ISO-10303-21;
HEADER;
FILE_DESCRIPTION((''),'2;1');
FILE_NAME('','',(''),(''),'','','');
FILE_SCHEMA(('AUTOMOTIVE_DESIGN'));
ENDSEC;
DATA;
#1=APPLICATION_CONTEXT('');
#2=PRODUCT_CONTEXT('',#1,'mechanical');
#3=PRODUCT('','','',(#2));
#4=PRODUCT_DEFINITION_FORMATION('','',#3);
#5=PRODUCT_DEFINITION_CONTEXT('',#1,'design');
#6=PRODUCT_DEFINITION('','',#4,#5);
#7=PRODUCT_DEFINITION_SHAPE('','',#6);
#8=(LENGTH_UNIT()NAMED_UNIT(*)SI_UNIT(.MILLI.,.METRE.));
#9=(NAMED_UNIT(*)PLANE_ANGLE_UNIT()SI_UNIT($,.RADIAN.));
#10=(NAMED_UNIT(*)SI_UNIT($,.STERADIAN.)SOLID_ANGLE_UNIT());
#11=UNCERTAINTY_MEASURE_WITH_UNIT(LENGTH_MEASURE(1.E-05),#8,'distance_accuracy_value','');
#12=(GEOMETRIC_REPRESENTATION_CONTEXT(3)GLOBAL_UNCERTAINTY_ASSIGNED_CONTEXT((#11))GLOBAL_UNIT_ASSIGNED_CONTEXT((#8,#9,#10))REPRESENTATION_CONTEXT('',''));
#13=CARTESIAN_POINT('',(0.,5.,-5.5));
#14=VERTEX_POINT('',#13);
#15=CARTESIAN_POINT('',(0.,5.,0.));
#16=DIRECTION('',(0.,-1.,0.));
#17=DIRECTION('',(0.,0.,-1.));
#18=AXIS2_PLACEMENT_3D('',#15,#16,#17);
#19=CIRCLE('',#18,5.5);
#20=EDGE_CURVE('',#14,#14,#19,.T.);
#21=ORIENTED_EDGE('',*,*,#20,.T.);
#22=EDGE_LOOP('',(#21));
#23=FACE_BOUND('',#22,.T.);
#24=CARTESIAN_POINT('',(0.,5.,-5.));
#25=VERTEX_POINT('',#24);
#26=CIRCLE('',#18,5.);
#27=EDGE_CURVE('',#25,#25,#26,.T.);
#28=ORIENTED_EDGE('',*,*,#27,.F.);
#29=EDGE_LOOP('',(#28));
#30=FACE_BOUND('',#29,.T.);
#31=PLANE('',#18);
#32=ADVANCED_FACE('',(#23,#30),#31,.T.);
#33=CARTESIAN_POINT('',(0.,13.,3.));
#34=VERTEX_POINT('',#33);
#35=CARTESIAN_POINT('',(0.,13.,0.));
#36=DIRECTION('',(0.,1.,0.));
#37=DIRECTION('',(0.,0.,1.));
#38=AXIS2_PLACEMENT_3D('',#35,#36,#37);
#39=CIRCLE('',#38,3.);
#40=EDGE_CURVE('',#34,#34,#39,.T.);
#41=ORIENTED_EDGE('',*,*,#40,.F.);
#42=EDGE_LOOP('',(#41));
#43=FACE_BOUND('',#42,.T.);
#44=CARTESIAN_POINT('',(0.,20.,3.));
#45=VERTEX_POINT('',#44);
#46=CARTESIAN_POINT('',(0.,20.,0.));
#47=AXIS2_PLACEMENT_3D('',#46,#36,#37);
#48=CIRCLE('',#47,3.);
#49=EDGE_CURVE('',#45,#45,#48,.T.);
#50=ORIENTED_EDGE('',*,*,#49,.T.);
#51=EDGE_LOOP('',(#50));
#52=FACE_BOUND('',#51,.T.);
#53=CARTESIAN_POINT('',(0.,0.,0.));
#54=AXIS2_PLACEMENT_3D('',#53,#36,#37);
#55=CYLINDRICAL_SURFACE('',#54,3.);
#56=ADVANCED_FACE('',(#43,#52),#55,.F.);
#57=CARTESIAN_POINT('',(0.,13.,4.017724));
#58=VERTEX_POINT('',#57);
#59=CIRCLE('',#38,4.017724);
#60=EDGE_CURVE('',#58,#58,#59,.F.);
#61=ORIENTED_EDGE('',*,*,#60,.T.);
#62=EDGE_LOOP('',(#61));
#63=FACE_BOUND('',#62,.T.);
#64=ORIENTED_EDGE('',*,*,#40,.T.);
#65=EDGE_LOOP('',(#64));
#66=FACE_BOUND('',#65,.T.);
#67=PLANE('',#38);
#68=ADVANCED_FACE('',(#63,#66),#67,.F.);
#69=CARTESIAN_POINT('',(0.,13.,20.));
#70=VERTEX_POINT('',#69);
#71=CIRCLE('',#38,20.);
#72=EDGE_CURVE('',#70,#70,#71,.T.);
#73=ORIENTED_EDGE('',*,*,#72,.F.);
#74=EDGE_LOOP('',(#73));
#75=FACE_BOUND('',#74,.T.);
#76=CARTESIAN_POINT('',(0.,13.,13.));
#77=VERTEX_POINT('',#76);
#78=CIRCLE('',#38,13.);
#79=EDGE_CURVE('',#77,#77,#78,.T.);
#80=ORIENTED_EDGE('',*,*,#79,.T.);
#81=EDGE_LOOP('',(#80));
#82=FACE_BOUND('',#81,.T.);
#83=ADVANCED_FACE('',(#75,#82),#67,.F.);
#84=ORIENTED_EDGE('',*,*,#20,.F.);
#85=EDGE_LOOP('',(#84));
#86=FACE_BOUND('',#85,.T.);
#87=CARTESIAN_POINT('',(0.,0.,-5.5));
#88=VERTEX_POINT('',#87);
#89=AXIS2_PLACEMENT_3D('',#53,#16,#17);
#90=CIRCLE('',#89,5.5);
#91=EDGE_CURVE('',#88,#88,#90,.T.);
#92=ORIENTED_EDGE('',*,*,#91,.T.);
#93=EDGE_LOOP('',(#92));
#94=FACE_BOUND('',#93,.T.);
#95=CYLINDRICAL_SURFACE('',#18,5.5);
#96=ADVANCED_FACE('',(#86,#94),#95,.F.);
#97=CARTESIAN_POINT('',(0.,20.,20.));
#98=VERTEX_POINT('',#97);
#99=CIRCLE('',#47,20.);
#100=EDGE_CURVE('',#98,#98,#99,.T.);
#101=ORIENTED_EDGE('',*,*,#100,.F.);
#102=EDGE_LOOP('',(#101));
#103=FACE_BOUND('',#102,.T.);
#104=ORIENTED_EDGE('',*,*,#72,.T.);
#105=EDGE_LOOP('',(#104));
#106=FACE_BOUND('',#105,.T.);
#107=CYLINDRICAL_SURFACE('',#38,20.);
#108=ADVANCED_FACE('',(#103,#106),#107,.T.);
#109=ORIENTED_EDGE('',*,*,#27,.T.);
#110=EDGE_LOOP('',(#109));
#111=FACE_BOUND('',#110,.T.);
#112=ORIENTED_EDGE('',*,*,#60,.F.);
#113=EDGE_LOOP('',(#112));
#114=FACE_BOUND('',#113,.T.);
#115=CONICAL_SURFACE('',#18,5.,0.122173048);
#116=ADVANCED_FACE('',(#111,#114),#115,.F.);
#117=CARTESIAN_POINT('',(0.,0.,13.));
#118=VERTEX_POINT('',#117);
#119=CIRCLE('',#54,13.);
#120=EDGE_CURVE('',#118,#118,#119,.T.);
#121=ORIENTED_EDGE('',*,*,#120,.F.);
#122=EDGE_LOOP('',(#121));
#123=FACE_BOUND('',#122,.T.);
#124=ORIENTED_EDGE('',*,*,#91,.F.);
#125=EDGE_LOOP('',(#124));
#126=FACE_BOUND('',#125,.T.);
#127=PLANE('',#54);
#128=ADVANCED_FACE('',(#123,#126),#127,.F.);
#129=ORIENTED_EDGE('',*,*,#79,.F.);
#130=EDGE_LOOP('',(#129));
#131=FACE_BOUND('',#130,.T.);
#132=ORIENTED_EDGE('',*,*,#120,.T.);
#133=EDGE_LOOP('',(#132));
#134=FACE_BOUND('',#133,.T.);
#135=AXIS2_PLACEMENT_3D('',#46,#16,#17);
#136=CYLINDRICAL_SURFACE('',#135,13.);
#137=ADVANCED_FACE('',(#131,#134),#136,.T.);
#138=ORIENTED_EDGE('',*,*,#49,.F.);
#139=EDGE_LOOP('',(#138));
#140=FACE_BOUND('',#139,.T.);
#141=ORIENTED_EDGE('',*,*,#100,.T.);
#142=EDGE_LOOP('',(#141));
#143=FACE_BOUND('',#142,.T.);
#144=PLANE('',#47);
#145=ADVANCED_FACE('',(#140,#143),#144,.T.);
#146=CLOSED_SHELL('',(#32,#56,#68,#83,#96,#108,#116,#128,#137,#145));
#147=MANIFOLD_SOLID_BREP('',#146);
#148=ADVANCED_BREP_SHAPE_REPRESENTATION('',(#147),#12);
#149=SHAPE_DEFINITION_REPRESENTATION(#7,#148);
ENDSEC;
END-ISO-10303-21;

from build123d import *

# Parameters (mm, degrees)
SKETCH_1_R          = 13
EXTRUDE_1_DEPTH     = 20
SKETCH_2_R          = 5.5
CUT_EXTRUDE_2_DEPTH = 5
SKETCH_3_R          = 5
CUT_EXTRUDE_3_DEPTH = 10
CUT_EXTRUDE_3_DRAFT = -7
SKETCH_5_R          = 20
EXTRUDE_7_DEPTH     = 7
SKETCH_7_R          = 3
CUT_EXTRUDE_8_DEPTH = 35.641016151


with BuildPart() as part:
    # Эскиз1 → Вытянуть1 (new body)
    with BuildSketch(Plane(origin=(0, 0, 0), x_dir=(1, 0, 0), z_dir=(0, 1, 0))):
        with Locations(Location((0, 0, 0), (0, 0, 270))):
            Circle(SKETCH_1_R)
    extrude(amount=EXTRUDE_1_DEPTH)

    # Эскиз2 → Вытянуть2 (cut)
    with BuildSketch(Plane.XZ):
        with Locations(Location((0, 0, 0), (0, 0, 270))):
            Circle(SKETCH_2_R)
    extrude(amount=-CUT_EXTRUDE_2_DEPTH, mode=Mode.SUBTRACT)


with BuildPart() as cut_extrude_3_tool:
    # Эскиз3 → Вытянуть3 (with draft: the straight prism first)
    with BuildSketch(Plane.XZ.offset(-5)):
        Circle(SKETCH_3_R)
    extrude(amount=-CUT_EXTRUDE_3_DEPTH)
    # Вытянуть3: the draft: its side faces are tilted about the plane it starts from
    cut_extrude_3_sides = [cut_extrude_3_tool.faces().sort_by_distance(p)[0] for p in [
        (-5, 10, 0),
    ]]
    draft(cut_extrude_3_sides, Plane.XZ.offset(-5), CUT_EXTRUDE_3_DRAFT)


with BuildPart() as part_1:
    add(part.part)

    # Вытянуть3: cut by cut_extrude_3_tool
    add(cut_extrude_3_tool.part, mode=Mode.SUBTRACT)

    # Эскиз5 → Вытянуть7 (add)
    with BuildSketch(Plane(origin=(0, 20, 0), x_dir=(-1, 0, 0), z_dir=(0, 1, 0))):
        with Locations(Location((0, 0, 0), (0, 0, 90))):
            Circle(SKETCH_5_R)
    extrude(amount=-EXTRUDE_7_DEPTH)

    # Эскиз7 → Вытянуть8 (cut, through all)
    with BuildSketch(Plane(origin=(0, 20, 0), x_dir=(1, 0, 0), z_dir=(0, 1, 0))):
        with Locations(Location((0, 0, 0), (0, 0, 270))):
            Circle(SKETCH_7_R)
    extrude(amount=-CUT_EXTRUDE_8_DEPTH, mode=Mode.SUBTRACT)


solid = part_1.part
